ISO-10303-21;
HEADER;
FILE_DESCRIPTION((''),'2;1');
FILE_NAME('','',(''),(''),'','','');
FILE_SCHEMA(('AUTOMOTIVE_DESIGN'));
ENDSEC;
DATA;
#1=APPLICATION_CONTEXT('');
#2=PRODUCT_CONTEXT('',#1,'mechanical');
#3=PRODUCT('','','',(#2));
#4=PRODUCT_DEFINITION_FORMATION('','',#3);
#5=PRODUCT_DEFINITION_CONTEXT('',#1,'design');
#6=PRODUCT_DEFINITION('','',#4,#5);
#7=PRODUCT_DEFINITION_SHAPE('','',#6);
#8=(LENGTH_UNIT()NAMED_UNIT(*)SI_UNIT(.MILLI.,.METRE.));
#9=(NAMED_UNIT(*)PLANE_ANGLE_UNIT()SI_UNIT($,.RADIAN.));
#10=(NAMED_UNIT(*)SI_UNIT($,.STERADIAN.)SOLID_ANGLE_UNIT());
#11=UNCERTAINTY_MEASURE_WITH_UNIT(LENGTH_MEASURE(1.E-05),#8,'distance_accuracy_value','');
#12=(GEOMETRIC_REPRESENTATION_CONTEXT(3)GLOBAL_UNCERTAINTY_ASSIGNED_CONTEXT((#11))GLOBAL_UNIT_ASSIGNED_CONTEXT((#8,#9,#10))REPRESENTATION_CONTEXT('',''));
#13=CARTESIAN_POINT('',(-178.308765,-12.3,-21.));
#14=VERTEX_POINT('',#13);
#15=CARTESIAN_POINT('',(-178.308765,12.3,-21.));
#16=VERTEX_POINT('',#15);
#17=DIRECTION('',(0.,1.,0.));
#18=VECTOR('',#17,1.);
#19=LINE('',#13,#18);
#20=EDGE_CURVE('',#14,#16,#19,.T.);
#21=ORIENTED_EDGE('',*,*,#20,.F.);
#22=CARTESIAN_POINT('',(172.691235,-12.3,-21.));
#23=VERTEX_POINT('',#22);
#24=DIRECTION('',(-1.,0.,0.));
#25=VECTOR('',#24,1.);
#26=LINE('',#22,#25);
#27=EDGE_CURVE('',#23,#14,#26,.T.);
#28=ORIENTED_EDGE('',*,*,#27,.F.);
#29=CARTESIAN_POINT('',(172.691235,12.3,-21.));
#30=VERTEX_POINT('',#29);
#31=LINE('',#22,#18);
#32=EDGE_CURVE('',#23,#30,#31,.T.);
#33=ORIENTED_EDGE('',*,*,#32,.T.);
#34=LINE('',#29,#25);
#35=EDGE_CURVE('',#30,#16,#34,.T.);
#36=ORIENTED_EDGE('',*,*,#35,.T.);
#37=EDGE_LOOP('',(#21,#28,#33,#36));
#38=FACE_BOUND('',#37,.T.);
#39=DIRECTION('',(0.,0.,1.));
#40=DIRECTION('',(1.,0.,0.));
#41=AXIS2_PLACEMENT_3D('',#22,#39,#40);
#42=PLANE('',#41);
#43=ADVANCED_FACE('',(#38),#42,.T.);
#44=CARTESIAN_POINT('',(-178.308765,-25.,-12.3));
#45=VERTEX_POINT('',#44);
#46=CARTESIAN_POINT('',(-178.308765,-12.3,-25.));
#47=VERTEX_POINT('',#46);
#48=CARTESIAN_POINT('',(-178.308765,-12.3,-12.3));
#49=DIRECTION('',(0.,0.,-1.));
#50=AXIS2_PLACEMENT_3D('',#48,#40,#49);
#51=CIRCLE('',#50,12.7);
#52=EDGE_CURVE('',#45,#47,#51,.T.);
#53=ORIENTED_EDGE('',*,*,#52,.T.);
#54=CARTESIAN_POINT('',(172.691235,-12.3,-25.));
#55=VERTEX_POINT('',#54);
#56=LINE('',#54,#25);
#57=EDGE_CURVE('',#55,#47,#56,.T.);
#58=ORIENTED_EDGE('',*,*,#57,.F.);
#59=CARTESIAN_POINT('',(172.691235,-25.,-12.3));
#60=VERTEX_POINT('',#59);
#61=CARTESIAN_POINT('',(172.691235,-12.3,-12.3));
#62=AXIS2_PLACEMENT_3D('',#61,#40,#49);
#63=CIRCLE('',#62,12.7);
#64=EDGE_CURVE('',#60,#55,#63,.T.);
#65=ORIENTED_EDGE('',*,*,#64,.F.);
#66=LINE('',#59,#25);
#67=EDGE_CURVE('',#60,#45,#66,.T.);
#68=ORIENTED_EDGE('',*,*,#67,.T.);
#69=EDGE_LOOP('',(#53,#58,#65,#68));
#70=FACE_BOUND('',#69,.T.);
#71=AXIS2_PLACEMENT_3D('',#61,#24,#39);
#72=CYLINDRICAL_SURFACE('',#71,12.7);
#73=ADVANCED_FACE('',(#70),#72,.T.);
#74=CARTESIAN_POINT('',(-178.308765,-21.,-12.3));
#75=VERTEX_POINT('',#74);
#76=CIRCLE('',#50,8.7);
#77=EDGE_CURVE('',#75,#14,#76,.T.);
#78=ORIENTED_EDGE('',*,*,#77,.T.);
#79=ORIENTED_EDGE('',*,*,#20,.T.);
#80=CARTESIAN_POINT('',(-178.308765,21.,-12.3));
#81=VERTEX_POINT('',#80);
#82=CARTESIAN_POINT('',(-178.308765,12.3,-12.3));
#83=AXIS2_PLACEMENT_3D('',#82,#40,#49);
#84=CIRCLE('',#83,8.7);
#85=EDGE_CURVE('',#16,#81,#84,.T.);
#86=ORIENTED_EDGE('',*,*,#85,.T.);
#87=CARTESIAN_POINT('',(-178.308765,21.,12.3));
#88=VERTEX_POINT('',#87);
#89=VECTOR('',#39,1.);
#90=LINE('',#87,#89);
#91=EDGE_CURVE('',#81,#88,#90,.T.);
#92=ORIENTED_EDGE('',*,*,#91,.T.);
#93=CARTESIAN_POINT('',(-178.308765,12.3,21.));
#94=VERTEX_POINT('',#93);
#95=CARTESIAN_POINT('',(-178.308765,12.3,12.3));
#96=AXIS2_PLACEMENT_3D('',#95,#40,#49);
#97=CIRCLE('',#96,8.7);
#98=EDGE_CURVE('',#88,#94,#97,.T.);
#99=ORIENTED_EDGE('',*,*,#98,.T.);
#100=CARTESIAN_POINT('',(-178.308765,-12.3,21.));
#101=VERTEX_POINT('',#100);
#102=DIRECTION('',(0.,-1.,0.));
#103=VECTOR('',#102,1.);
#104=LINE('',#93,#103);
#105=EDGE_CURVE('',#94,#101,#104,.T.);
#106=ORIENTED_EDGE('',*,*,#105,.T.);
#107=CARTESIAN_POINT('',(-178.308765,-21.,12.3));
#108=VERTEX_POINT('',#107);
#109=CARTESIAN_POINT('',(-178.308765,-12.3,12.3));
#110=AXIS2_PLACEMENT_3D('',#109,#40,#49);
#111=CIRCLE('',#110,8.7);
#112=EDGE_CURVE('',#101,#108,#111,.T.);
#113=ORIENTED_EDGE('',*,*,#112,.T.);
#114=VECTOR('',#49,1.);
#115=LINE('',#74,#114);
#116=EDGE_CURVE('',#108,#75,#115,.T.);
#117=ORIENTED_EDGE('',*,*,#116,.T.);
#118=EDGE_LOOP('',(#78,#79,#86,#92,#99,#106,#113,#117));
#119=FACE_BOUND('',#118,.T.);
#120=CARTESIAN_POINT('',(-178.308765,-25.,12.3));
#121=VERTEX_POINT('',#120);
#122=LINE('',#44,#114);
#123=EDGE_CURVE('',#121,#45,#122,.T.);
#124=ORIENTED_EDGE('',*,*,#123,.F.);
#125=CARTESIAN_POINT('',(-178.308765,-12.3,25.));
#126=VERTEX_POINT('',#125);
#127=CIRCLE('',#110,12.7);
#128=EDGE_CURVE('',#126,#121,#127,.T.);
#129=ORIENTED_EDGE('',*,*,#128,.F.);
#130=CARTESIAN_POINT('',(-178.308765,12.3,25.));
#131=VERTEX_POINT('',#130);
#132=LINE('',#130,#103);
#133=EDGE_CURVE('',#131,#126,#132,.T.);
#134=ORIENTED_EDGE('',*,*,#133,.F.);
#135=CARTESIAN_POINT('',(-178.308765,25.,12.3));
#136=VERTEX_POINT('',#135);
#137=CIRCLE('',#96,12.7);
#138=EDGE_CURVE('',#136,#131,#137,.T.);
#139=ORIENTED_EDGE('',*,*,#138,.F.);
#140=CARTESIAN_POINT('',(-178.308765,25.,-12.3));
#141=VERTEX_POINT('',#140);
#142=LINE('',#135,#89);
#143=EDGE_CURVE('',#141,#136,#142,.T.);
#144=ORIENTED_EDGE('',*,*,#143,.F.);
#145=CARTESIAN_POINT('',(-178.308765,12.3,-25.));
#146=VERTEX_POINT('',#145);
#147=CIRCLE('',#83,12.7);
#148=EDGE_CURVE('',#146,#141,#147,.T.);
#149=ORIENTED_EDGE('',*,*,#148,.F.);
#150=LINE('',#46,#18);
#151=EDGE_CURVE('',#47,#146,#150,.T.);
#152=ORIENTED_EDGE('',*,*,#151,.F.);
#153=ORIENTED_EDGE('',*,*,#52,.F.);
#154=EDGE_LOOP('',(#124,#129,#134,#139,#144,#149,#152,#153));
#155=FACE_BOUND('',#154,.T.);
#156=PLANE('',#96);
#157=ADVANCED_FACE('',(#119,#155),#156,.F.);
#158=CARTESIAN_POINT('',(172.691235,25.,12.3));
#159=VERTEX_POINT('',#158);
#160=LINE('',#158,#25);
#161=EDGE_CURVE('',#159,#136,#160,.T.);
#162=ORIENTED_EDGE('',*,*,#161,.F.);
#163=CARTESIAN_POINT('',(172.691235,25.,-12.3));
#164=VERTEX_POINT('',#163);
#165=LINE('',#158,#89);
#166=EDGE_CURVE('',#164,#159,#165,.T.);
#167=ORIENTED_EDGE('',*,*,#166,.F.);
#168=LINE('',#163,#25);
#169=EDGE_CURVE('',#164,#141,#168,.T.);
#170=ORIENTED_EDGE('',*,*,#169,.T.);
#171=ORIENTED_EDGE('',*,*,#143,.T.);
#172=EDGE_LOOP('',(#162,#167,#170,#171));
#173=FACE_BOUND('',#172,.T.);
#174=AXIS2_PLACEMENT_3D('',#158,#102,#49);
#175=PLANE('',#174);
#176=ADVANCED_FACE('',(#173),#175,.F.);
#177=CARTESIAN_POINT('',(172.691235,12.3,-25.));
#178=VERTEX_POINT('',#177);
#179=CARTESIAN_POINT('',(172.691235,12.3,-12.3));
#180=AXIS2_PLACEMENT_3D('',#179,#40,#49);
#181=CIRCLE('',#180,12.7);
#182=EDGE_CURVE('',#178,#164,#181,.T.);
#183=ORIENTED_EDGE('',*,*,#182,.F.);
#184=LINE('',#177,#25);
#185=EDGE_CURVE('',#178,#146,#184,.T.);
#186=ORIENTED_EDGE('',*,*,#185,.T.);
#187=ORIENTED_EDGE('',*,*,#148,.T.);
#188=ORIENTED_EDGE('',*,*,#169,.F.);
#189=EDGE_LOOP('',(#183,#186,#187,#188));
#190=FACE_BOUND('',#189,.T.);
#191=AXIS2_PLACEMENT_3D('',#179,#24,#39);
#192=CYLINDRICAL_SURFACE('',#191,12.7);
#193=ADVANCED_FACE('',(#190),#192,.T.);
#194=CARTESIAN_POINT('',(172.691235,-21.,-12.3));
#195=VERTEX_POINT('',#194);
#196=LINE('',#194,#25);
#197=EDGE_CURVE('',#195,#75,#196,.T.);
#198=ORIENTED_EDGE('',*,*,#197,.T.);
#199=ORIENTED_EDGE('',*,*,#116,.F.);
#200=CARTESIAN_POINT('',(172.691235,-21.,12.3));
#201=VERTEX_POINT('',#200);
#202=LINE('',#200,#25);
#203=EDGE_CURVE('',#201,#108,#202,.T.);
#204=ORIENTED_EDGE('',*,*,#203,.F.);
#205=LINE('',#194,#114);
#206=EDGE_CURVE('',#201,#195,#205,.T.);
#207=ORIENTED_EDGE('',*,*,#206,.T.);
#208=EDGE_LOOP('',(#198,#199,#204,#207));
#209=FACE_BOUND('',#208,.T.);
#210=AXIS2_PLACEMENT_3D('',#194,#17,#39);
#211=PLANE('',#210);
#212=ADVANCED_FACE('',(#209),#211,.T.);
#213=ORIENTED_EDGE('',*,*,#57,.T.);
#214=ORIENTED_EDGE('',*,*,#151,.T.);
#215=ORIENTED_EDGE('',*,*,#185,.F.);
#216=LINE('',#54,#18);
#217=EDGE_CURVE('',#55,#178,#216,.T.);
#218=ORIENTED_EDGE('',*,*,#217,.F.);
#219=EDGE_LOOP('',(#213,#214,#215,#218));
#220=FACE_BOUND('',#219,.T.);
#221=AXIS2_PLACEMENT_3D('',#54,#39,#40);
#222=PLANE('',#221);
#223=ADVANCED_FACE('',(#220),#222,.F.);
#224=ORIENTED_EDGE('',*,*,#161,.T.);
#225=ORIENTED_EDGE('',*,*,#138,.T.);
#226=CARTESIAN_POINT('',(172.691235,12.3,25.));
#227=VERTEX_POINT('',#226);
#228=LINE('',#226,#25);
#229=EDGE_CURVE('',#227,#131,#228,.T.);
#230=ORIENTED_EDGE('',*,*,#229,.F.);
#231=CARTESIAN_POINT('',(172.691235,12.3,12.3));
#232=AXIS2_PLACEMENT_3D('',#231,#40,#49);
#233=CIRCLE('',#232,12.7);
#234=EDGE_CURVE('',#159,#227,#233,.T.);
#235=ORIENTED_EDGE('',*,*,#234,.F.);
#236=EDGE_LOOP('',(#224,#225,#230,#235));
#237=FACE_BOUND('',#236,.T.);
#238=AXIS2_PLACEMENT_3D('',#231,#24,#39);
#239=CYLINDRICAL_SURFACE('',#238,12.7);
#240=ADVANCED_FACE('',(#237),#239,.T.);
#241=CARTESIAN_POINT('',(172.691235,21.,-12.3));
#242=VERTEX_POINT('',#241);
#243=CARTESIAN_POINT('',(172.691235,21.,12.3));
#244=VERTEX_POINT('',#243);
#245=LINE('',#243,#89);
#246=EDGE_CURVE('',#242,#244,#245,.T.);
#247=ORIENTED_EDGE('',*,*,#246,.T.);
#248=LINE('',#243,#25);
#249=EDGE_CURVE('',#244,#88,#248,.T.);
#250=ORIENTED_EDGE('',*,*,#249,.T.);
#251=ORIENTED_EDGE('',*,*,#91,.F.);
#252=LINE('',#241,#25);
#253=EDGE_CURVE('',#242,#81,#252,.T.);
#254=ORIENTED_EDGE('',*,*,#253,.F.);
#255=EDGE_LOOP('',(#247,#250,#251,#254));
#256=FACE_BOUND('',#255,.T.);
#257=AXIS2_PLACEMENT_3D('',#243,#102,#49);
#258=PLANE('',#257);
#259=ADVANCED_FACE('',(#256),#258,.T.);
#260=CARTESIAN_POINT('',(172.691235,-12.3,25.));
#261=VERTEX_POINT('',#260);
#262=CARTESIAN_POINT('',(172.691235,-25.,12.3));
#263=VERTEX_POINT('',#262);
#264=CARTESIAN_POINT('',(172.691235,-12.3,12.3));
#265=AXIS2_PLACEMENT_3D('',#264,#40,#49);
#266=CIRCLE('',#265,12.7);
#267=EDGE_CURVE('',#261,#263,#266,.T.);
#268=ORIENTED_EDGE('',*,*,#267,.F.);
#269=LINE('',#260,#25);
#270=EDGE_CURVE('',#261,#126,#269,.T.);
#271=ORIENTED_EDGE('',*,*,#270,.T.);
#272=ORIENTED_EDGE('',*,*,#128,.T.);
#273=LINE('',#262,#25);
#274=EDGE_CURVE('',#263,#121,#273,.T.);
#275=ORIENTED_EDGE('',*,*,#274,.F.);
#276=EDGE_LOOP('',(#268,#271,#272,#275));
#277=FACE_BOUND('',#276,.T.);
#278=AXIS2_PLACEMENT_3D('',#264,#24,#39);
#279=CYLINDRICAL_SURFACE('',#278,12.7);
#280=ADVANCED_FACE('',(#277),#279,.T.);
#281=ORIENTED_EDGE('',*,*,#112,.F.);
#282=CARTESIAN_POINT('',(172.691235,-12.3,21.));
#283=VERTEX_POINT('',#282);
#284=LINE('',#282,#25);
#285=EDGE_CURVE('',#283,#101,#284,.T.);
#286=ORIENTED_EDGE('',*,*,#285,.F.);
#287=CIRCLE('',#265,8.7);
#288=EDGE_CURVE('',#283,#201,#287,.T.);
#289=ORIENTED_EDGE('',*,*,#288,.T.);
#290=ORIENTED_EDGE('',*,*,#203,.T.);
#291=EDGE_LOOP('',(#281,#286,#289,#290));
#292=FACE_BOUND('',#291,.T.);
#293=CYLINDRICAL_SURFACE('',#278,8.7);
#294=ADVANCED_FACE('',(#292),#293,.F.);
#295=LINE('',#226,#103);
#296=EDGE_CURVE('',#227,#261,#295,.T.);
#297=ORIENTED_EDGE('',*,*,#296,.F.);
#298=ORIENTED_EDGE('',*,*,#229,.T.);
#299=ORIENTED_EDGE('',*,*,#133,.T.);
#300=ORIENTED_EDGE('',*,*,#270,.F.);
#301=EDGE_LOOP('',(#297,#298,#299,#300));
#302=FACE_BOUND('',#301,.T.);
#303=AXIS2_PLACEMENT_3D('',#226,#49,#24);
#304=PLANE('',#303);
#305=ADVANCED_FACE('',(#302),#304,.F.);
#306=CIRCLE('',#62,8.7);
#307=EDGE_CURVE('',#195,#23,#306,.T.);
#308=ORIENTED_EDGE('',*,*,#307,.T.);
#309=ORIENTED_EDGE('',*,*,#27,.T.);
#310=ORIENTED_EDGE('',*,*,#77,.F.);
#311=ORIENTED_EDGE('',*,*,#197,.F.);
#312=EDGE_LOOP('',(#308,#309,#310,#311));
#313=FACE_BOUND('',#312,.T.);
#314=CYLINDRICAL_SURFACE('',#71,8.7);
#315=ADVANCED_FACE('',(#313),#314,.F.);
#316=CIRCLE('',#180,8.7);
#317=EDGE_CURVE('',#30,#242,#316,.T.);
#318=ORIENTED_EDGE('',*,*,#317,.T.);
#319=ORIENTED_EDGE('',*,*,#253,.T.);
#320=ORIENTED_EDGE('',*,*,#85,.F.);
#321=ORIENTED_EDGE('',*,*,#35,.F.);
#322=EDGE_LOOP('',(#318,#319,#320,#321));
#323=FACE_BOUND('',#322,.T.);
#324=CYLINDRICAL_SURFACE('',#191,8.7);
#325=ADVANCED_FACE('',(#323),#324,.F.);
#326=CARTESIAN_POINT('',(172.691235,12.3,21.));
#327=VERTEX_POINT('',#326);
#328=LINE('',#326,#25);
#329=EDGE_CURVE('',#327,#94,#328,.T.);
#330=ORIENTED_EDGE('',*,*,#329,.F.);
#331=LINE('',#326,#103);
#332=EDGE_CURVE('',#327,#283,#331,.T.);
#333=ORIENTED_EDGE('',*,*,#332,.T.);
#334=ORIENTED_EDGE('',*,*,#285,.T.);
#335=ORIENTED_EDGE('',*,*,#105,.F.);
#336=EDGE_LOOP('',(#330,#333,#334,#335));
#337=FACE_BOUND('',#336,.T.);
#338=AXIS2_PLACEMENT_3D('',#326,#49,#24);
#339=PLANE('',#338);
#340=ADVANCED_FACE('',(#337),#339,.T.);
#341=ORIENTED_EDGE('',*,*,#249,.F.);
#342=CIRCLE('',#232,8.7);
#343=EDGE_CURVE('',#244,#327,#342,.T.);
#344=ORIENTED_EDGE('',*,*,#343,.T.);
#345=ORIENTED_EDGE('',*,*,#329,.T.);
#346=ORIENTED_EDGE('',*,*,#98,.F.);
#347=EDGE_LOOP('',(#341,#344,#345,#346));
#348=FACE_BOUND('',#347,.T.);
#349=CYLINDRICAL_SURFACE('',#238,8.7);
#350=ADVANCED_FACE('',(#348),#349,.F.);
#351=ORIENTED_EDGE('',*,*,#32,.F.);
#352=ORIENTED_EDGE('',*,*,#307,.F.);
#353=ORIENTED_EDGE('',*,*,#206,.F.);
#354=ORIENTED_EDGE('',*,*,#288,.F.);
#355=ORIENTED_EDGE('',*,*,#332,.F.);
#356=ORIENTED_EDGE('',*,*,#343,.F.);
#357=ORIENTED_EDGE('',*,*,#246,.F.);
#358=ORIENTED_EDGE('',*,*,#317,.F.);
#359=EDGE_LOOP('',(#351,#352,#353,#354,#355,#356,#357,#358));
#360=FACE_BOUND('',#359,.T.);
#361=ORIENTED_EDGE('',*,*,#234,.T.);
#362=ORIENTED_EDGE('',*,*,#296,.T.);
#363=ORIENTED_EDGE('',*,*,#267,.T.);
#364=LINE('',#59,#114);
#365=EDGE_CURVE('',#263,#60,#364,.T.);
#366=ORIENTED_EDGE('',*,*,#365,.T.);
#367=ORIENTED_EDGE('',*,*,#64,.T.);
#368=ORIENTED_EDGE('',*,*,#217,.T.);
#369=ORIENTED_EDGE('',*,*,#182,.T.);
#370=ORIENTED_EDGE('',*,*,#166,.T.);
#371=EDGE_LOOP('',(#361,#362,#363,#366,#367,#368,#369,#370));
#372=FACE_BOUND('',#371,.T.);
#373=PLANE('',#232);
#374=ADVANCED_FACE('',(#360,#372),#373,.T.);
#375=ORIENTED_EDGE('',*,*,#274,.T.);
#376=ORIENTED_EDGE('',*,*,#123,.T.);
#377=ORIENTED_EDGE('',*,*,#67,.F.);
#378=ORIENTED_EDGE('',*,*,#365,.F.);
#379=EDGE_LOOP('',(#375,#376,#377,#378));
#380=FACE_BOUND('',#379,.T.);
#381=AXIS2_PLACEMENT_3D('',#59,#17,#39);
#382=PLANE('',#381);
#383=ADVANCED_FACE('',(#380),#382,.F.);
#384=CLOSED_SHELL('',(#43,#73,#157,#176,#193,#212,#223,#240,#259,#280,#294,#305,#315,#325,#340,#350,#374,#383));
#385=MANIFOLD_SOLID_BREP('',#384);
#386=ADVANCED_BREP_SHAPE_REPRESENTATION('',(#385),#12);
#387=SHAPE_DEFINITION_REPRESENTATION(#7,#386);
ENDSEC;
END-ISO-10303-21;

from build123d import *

# Parameters (mm, degrees)
MIEMBRO_ESTRUCTURAL1_DEPTH = 351


with BuildPart() as part:
    # Sketch1 → Miembro estructural1 (new body)
    with BuildSketch(Plane.YZ.offset(-178.308765334)):
        with BuildLine():
            Line((-12.3, -25), (12.3, -25))
            ThreePointArc((12.3, -25), (21.280256121, -21.280256121), (25, -12.3))
            Line((25, -12.3), (25, 12.3))
            ThreePointArc((25, 12.3), (21.280256121, 21.280256121), (12.3, 25))
            Line((12.3, 25), (-12.3, 25))
            ThreePointArc((-12.3, 25), (-21.280256121, 21.280256121), (-25, 12.3))
            Line((-25, 12.3), (-25, -12.3))
            ThreePointArc((-25, -12.3), (-21.280256121, -21.280256121), (-12.3, -25))
        make_face()
        with BuildLine():
            Line((-12.3, -21), (12.3, -21))
            ThreePointArc((12.3, -21), (18.451828996, -18.451828996), (21, -12.3))
            Line((21, -12.3), (21, 12.3))
            ThreePointArc((21, 12.3), (18.451828996, 18.451828996), (12.3, 21))
            Line((12.3, 21), (-12.3, 21))
            ThreePointArc((-12.3, 21), (-18.451828996, 18.451828996), (-21, 12.3))
            Line((-21, 12.3), (-21, -12.3))
            ThreePointArc((-21, -12.3), (-18.451828996, -18.451828996), (-12.3, -21))
        make_face(mode=Mode.SUBTRACT)
    extrude(amount=MIEMBRO_ESTRUCTURAL1_DEPTH)


solid = part.part
